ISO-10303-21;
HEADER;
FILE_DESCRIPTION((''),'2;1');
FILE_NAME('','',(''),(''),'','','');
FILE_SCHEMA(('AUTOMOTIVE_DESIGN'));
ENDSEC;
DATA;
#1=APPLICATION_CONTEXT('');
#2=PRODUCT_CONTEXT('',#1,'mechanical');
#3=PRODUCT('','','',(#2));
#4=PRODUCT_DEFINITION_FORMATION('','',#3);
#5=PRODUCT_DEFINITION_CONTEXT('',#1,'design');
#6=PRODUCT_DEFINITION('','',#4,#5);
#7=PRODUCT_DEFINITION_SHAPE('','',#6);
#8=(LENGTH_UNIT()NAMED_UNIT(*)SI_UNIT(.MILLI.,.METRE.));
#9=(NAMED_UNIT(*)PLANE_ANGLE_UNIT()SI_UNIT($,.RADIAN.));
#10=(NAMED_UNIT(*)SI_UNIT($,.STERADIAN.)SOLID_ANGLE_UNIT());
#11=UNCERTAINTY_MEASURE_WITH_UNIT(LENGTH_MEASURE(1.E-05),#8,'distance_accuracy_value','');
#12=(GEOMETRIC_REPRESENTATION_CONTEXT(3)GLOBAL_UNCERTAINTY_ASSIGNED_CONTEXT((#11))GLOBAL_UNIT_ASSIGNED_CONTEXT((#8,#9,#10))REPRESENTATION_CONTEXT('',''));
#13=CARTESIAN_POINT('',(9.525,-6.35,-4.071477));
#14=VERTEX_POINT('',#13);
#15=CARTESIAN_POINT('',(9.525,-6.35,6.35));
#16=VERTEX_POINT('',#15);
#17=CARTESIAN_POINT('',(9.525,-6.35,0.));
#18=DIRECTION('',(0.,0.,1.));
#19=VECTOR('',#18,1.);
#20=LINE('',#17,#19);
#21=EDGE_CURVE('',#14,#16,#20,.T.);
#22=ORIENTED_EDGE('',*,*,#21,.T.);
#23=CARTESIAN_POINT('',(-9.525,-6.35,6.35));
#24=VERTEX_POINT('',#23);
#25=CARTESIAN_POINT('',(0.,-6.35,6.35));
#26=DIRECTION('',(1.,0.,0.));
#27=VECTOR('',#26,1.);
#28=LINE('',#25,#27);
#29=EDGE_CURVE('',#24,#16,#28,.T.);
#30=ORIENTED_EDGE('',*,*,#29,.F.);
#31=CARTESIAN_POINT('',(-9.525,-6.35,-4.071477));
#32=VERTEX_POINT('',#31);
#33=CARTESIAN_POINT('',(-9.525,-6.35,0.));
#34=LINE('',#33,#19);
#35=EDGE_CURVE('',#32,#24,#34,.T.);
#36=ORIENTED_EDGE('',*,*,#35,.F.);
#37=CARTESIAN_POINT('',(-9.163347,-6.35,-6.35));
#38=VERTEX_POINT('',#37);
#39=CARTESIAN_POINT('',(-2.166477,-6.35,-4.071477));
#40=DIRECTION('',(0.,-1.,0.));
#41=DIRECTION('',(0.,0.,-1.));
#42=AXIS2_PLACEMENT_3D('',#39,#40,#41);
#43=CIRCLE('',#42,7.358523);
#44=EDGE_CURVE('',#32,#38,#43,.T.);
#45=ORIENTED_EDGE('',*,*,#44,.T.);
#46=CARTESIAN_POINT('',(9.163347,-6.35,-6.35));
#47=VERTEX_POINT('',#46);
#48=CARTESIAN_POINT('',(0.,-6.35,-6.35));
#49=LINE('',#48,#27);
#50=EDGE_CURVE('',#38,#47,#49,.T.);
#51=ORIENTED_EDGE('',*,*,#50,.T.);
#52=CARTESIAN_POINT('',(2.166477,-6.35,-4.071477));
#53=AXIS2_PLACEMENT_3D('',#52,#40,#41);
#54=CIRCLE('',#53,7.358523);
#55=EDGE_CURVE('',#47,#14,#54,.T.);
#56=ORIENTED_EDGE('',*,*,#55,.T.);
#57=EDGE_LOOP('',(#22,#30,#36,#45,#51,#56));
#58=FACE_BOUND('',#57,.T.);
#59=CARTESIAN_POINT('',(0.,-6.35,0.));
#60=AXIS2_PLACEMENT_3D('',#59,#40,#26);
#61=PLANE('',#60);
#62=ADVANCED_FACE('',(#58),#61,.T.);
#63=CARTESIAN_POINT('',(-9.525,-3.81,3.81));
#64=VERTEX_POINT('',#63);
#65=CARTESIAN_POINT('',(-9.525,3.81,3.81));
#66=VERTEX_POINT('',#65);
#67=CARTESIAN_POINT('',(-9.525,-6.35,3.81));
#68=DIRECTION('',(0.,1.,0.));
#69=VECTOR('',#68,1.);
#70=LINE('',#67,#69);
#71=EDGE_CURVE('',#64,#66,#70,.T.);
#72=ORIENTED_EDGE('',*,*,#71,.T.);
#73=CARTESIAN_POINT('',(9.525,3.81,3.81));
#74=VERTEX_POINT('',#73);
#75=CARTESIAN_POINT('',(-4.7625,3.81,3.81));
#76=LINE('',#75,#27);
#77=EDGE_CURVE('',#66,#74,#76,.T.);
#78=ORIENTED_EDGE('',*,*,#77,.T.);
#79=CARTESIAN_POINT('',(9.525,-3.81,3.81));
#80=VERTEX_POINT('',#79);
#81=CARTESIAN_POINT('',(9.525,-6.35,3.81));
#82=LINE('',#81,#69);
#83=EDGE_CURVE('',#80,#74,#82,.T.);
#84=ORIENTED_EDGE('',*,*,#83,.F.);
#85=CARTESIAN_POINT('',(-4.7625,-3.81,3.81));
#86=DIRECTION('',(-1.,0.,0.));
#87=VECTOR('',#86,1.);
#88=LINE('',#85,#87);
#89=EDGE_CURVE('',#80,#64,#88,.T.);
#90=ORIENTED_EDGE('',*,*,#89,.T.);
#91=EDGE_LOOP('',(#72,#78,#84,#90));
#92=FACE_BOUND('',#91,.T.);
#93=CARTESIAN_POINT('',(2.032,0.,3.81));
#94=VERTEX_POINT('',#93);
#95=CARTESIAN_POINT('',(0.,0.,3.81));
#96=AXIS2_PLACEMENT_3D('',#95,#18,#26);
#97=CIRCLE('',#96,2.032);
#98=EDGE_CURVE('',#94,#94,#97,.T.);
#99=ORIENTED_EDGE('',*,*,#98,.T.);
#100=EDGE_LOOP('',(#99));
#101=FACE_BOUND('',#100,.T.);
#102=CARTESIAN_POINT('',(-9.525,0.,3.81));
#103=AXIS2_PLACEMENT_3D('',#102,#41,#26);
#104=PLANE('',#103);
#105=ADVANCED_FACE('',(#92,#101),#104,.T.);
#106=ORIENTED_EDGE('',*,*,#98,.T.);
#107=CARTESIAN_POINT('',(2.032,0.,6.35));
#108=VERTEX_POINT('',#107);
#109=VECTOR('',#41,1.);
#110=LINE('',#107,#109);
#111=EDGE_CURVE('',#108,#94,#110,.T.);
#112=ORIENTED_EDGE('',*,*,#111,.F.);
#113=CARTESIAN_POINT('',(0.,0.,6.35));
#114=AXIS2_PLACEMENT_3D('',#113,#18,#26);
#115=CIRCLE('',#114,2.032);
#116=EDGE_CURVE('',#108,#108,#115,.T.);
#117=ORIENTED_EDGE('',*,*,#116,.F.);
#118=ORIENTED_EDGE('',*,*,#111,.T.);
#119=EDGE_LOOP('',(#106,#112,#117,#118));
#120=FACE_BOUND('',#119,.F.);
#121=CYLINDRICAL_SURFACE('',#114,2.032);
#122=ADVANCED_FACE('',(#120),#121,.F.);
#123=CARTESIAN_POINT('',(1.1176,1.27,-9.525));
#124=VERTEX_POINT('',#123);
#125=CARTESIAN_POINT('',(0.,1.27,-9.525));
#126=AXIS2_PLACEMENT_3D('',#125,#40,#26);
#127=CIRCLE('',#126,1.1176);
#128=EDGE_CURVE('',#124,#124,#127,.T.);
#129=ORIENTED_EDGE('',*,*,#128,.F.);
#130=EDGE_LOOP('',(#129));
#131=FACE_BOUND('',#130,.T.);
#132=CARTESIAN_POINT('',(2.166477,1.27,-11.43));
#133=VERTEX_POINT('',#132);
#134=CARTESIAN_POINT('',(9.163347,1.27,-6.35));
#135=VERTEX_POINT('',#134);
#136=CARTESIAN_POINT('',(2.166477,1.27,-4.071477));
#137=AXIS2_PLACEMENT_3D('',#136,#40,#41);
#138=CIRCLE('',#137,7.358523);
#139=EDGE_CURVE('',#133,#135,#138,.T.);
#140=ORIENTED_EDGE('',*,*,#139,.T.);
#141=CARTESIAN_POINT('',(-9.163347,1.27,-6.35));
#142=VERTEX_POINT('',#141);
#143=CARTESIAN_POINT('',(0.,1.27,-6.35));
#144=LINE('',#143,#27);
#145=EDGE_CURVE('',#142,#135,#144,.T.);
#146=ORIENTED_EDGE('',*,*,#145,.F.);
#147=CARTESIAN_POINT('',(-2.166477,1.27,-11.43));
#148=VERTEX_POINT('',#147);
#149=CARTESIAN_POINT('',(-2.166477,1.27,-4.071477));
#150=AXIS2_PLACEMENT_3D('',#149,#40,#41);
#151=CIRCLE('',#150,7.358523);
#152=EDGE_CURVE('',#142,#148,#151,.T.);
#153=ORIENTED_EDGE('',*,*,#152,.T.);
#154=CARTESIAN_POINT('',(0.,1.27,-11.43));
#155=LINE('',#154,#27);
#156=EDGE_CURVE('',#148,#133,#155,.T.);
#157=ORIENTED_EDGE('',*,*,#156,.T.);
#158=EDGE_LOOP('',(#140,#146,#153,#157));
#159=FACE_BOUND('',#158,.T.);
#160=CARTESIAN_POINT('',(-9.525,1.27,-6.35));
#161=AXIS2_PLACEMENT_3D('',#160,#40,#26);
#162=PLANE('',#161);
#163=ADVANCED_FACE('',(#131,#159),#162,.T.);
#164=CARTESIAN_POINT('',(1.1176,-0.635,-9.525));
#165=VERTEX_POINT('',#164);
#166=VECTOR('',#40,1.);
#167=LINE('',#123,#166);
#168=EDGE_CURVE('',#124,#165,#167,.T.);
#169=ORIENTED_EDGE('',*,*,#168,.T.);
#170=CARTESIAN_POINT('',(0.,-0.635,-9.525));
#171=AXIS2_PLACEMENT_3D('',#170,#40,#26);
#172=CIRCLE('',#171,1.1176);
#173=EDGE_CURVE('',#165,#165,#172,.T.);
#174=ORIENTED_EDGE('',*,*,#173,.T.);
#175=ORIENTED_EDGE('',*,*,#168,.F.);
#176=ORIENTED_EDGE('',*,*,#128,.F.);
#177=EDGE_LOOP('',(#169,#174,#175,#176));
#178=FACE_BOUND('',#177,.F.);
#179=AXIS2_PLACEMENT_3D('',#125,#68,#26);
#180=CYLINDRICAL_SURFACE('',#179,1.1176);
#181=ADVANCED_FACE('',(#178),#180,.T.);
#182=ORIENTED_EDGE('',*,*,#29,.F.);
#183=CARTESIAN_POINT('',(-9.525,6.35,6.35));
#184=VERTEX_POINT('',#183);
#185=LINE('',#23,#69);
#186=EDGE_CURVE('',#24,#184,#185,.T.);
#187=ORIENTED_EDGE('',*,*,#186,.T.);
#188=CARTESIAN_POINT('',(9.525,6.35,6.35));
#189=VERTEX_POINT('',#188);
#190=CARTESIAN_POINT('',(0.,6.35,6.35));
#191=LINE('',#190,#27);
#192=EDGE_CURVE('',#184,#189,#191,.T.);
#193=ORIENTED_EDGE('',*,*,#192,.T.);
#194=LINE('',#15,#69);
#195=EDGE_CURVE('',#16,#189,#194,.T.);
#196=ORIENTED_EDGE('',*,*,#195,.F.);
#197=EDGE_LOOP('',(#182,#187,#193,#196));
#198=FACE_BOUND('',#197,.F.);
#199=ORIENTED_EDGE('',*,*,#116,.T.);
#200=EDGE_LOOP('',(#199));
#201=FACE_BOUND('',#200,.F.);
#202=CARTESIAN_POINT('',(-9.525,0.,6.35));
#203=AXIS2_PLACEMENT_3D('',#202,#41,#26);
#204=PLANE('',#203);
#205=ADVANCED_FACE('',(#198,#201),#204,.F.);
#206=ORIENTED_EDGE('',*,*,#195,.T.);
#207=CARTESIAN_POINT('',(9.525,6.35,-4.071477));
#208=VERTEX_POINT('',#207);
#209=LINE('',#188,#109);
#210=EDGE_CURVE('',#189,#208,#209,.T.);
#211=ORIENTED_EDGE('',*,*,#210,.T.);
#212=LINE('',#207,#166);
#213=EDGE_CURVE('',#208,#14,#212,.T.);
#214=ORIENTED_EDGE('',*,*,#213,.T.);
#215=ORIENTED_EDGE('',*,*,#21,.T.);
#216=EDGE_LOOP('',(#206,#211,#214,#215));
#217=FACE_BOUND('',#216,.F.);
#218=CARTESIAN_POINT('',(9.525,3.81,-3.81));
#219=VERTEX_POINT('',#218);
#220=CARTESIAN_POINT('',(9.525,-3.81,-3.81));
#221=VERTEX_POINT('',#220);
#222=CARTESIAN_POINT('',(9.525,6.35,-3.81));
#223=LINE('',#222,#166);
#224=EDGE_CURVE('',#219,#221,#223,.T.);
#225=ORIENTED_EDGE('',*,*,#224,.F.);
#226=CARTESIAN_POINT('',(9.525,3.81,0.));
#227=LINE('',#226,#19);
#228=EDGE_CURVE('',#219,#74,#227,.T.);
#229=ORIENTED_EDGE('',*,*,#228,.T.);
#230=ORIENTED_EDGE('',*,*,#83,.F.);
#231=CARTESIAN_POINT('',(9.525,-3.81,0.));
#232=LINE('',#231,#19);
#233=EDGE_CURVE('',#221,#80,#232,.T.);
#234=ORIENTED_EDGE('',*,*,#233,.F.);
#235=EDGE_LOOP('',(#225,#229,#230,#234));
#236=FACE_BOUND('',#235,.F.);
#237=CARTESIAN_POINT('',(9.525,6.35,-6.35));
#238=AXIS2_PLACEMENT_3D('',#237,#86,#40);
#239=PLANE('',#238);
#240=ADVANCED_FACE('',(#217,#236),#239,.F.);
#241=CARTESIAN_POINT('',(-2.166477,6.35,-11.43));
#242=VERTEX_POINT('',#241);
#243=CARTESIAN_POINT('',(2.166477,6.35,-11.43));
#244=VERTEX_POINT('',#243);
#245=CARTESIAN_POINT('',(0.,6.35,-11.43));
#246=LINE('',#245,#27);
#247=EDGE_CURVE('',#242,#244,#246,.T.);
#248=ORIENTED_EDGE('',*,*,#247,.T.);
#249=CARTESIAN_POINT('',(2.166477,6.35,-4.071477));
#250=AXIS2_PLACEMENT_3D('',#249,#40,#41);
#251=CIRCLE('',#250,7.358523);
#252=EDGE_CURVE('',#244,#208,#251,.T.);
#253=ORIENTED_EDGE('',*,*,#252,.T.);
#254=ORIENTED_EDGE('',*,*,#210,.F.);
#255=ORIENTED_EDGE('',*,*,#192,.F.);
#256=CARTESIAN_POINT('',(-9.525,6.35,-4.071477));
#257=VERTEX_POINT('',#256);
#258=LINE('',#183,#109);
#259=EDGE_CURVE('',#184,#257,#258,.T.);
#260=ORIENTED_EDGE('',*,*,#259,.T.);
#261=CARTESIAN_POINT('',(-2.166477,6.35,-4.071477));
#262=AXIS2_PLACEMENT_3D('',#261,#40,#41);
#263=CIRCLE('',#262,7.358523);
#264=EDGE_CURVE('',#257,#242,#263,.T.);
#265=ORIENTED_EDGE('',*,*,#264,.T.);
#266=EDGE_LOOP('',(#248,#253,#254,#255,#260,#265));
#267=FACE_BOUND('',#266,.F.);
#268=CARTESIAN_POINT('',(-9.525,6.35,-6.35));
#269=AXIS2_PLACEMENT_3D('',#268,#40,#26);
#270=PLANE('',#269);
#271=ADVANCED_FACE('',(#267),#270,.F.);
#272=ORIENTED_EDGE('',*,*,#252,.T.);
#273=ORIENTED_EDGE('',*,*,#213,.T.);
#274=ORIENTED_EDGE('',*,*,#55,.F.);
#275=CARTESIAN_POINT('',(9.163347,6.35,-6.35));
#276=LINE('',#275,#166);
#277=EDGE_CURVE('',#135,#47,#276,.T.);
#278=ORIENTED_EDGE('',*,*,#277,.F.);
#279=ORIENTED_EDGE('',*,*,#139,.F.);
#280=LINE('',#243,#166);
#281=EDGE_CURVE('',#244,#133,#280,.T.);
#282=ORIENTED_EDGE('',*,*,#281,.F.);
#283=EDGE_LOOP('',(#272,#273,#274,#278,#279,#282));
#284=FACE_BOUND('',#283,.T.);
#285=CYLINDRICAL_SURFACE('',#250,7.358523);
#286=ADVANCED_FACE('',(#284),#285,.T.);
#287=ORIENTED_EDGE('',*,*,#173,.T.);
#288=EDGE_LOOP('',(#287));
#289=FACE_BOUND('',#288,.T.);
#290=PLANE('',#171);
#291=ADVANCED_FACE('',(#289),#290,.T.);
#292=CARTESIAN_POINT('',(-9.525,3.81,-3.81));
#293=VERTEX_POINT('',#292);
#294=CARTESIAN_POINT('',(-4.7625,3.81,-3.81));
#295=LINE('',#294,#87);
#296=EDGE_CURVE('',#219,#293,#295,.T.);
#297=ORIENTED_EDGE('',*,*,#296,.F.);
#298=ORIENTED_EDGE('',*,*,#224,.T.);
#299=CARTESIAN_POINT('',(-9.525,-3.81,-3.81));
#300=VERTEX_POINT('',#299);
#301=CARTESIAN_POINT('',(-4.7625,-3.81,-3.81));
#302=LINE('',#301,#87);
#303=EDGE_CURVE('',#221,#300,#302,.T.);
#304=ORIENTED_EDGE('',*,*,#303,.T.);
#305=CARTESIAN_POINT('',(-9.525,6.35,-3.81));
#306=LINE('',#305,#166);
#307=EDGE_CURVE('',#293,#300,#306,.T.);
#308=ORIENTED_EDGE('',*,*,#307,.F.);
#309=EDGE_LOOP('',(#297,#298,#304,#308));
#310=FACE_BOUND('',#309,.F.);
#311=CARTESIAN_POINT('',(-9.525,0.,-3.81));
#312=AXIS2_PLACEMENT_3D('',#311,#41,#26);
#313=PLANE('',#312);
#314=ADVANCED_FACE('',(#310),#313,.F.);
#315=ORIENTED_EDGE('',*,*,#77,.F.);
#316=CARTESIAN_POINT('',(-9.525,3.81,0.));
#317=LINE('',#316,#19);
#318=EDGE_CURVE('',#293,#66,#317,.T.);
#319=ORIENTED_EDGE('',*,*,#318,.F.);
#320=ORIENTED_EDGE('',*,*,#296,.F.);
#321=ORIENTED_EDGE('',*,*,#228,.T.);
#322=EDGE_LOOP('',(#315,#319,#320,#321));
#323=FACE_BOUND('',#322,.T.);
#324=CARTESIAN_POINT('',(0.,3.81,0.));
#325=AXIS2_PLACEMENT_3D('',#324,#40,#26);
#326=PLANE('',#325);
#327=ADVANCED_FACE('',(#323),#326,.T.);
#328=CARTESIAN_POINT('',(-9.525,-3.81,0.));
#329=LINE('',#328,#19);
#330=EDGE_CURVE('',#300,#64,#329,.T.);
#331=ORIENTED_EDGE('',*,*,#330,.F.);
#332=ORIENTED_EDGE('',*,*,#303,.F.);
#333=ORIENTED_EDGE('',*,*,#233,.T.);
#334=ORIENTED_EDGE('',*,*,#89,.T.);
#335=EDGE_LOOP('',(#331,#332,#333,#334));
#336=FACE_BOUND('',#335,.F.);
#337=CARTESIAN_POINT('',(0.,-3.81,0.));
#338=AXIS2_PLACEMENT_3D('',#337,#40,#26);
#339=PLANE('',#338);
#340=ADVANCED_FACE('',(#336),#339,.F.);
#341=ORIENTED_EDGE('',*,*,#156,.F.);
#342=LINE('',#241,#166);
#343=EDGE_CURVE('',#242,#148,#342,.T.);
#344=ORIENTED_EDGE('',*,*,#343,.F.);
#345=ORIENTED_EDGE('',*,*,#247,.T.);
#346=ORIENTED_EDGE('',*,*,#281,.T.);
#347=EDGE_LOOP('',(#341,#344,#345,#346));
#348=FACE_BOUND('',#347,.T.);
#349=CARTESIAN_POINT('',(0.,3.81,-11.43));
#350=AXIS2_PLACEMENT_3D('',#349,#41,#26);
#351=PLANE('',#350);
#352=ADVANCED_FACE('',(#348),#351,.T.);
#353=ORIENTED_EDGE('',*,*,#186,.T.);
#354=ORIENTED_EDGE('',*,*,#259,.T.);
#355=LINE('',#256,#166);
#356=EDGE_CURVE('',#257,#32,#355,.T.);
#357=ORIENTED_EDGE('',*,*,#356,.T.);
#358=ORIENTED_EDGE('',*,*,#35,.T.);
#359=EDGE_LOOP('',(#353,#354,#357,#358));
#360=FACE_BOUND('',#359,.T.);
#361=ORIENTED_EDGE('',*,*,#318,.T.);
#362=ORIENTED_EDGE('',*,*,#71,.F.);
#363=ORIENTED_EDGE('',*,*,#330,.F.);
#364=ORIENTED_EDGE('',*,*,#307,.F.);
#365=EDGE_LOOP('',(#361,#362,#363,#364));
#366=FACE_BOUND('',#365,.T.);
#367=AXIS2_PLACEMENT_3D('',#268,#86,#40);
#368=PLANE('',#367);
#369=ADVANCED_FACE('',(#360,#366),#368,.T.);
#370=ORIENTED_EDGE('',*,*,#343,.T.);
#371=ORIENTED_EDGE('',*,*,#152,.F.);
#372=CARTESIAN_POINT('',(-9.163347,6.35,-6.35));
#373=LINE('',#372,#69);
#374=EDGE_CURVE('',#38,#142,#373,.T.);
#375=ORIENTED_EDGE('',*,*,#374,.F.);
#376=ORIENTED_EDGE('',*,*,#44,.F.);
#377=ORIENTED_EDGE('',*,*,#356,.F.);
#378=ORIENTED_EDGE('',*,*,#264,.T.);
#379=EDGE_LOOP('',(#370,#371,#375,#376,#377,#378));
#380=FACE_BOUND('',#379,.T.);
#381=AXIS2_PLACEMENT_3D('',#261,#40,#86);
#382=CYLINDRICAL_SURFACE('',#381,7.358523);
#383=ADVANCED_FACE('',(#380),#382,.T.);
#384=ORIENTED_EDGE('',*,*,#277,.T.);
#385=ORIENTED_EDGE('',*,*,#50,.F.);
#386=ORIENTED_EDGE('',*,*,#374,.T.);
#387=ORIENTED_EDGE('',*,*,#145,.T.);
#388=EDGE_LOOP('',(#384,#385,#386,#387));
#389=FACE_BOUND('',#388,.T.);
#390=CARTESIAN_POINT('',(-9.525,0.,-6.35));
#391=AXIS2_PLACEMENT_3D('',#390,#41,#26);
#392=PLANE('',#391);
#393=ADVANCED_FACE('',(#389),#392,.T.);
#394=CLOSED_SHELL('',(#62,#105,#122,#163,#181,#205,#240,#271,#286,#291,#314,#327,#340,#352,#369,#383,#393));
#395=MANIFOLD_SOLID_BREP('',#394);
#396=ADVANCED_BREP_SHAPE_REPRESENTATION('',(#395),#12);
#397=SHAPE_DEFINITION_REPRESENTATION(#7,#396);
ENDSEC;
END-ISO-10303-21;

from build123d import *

# Parameters (mm, degrees)
F0_W     = 19.05
F0_H     = 12.7
F1_DEPTH = 6.35
F2_T     = -2.54
F3_R     = 2.032
F4_DEPTH = 2.54
F5_W     = 19.05
F5_H     = 5.08
F6_DEPTH = 5.08
F7_R     = 1.1176
F8_DEPTH = 1.905
F9_R     = 7.358523


with BuildPart() as f1:
    # F0 (on Front) → F1 (new body, symmetric)
    with BuildSketch(Plane.XZ):
        Rectangle(F0_W, F0_H)
    extrude(amount=F1_DEPTH, both=True)

    # F2
    f2_openings = [f1.faces().sort_by_distance(p)[0] for p in [
        (9.525, 0, 0),
        (-9.525, 0, 0),
    ]]
    offset(amount=F2_T, openings=f2_openings)

    # F3 (on face) → F4 (cut)
    with BuildSketch(Plane.XY.offset(6.35)):
        Circle(F3_R)
    extrude(amount=-F4_DEPTH, mode=Mode.SUBTRACT)

    # F5 (on face) → F6 (join)
    with BuildSketch(Plane(origin=(0, 0, -6.35), x_dir=(1, 0, 0), z_dir=(0, 0, -1))):
        with Locations((0, -3.81)):
            Rectangle(F5_W, F5_H)
    extrude(amount=F6_DEPTH)

    # F7 (on face) → F8 (join)
    with BuildSketch(Plane.XZ.offset(-1.27)):
        with Locations((0, -9.525)):
            Circle(F7_R)
    extrude(amount=F8_DEPTH)

    # F9
    f9_edges = [f1.edges().sort_by_distance(p)[0] for p in [
        (9.525, 3.81, -11.43),
        (-9.525, 3.81, -11.43),
    ]]
    fillet(f9_edges, radius=F9_R)


solid = f1.part
